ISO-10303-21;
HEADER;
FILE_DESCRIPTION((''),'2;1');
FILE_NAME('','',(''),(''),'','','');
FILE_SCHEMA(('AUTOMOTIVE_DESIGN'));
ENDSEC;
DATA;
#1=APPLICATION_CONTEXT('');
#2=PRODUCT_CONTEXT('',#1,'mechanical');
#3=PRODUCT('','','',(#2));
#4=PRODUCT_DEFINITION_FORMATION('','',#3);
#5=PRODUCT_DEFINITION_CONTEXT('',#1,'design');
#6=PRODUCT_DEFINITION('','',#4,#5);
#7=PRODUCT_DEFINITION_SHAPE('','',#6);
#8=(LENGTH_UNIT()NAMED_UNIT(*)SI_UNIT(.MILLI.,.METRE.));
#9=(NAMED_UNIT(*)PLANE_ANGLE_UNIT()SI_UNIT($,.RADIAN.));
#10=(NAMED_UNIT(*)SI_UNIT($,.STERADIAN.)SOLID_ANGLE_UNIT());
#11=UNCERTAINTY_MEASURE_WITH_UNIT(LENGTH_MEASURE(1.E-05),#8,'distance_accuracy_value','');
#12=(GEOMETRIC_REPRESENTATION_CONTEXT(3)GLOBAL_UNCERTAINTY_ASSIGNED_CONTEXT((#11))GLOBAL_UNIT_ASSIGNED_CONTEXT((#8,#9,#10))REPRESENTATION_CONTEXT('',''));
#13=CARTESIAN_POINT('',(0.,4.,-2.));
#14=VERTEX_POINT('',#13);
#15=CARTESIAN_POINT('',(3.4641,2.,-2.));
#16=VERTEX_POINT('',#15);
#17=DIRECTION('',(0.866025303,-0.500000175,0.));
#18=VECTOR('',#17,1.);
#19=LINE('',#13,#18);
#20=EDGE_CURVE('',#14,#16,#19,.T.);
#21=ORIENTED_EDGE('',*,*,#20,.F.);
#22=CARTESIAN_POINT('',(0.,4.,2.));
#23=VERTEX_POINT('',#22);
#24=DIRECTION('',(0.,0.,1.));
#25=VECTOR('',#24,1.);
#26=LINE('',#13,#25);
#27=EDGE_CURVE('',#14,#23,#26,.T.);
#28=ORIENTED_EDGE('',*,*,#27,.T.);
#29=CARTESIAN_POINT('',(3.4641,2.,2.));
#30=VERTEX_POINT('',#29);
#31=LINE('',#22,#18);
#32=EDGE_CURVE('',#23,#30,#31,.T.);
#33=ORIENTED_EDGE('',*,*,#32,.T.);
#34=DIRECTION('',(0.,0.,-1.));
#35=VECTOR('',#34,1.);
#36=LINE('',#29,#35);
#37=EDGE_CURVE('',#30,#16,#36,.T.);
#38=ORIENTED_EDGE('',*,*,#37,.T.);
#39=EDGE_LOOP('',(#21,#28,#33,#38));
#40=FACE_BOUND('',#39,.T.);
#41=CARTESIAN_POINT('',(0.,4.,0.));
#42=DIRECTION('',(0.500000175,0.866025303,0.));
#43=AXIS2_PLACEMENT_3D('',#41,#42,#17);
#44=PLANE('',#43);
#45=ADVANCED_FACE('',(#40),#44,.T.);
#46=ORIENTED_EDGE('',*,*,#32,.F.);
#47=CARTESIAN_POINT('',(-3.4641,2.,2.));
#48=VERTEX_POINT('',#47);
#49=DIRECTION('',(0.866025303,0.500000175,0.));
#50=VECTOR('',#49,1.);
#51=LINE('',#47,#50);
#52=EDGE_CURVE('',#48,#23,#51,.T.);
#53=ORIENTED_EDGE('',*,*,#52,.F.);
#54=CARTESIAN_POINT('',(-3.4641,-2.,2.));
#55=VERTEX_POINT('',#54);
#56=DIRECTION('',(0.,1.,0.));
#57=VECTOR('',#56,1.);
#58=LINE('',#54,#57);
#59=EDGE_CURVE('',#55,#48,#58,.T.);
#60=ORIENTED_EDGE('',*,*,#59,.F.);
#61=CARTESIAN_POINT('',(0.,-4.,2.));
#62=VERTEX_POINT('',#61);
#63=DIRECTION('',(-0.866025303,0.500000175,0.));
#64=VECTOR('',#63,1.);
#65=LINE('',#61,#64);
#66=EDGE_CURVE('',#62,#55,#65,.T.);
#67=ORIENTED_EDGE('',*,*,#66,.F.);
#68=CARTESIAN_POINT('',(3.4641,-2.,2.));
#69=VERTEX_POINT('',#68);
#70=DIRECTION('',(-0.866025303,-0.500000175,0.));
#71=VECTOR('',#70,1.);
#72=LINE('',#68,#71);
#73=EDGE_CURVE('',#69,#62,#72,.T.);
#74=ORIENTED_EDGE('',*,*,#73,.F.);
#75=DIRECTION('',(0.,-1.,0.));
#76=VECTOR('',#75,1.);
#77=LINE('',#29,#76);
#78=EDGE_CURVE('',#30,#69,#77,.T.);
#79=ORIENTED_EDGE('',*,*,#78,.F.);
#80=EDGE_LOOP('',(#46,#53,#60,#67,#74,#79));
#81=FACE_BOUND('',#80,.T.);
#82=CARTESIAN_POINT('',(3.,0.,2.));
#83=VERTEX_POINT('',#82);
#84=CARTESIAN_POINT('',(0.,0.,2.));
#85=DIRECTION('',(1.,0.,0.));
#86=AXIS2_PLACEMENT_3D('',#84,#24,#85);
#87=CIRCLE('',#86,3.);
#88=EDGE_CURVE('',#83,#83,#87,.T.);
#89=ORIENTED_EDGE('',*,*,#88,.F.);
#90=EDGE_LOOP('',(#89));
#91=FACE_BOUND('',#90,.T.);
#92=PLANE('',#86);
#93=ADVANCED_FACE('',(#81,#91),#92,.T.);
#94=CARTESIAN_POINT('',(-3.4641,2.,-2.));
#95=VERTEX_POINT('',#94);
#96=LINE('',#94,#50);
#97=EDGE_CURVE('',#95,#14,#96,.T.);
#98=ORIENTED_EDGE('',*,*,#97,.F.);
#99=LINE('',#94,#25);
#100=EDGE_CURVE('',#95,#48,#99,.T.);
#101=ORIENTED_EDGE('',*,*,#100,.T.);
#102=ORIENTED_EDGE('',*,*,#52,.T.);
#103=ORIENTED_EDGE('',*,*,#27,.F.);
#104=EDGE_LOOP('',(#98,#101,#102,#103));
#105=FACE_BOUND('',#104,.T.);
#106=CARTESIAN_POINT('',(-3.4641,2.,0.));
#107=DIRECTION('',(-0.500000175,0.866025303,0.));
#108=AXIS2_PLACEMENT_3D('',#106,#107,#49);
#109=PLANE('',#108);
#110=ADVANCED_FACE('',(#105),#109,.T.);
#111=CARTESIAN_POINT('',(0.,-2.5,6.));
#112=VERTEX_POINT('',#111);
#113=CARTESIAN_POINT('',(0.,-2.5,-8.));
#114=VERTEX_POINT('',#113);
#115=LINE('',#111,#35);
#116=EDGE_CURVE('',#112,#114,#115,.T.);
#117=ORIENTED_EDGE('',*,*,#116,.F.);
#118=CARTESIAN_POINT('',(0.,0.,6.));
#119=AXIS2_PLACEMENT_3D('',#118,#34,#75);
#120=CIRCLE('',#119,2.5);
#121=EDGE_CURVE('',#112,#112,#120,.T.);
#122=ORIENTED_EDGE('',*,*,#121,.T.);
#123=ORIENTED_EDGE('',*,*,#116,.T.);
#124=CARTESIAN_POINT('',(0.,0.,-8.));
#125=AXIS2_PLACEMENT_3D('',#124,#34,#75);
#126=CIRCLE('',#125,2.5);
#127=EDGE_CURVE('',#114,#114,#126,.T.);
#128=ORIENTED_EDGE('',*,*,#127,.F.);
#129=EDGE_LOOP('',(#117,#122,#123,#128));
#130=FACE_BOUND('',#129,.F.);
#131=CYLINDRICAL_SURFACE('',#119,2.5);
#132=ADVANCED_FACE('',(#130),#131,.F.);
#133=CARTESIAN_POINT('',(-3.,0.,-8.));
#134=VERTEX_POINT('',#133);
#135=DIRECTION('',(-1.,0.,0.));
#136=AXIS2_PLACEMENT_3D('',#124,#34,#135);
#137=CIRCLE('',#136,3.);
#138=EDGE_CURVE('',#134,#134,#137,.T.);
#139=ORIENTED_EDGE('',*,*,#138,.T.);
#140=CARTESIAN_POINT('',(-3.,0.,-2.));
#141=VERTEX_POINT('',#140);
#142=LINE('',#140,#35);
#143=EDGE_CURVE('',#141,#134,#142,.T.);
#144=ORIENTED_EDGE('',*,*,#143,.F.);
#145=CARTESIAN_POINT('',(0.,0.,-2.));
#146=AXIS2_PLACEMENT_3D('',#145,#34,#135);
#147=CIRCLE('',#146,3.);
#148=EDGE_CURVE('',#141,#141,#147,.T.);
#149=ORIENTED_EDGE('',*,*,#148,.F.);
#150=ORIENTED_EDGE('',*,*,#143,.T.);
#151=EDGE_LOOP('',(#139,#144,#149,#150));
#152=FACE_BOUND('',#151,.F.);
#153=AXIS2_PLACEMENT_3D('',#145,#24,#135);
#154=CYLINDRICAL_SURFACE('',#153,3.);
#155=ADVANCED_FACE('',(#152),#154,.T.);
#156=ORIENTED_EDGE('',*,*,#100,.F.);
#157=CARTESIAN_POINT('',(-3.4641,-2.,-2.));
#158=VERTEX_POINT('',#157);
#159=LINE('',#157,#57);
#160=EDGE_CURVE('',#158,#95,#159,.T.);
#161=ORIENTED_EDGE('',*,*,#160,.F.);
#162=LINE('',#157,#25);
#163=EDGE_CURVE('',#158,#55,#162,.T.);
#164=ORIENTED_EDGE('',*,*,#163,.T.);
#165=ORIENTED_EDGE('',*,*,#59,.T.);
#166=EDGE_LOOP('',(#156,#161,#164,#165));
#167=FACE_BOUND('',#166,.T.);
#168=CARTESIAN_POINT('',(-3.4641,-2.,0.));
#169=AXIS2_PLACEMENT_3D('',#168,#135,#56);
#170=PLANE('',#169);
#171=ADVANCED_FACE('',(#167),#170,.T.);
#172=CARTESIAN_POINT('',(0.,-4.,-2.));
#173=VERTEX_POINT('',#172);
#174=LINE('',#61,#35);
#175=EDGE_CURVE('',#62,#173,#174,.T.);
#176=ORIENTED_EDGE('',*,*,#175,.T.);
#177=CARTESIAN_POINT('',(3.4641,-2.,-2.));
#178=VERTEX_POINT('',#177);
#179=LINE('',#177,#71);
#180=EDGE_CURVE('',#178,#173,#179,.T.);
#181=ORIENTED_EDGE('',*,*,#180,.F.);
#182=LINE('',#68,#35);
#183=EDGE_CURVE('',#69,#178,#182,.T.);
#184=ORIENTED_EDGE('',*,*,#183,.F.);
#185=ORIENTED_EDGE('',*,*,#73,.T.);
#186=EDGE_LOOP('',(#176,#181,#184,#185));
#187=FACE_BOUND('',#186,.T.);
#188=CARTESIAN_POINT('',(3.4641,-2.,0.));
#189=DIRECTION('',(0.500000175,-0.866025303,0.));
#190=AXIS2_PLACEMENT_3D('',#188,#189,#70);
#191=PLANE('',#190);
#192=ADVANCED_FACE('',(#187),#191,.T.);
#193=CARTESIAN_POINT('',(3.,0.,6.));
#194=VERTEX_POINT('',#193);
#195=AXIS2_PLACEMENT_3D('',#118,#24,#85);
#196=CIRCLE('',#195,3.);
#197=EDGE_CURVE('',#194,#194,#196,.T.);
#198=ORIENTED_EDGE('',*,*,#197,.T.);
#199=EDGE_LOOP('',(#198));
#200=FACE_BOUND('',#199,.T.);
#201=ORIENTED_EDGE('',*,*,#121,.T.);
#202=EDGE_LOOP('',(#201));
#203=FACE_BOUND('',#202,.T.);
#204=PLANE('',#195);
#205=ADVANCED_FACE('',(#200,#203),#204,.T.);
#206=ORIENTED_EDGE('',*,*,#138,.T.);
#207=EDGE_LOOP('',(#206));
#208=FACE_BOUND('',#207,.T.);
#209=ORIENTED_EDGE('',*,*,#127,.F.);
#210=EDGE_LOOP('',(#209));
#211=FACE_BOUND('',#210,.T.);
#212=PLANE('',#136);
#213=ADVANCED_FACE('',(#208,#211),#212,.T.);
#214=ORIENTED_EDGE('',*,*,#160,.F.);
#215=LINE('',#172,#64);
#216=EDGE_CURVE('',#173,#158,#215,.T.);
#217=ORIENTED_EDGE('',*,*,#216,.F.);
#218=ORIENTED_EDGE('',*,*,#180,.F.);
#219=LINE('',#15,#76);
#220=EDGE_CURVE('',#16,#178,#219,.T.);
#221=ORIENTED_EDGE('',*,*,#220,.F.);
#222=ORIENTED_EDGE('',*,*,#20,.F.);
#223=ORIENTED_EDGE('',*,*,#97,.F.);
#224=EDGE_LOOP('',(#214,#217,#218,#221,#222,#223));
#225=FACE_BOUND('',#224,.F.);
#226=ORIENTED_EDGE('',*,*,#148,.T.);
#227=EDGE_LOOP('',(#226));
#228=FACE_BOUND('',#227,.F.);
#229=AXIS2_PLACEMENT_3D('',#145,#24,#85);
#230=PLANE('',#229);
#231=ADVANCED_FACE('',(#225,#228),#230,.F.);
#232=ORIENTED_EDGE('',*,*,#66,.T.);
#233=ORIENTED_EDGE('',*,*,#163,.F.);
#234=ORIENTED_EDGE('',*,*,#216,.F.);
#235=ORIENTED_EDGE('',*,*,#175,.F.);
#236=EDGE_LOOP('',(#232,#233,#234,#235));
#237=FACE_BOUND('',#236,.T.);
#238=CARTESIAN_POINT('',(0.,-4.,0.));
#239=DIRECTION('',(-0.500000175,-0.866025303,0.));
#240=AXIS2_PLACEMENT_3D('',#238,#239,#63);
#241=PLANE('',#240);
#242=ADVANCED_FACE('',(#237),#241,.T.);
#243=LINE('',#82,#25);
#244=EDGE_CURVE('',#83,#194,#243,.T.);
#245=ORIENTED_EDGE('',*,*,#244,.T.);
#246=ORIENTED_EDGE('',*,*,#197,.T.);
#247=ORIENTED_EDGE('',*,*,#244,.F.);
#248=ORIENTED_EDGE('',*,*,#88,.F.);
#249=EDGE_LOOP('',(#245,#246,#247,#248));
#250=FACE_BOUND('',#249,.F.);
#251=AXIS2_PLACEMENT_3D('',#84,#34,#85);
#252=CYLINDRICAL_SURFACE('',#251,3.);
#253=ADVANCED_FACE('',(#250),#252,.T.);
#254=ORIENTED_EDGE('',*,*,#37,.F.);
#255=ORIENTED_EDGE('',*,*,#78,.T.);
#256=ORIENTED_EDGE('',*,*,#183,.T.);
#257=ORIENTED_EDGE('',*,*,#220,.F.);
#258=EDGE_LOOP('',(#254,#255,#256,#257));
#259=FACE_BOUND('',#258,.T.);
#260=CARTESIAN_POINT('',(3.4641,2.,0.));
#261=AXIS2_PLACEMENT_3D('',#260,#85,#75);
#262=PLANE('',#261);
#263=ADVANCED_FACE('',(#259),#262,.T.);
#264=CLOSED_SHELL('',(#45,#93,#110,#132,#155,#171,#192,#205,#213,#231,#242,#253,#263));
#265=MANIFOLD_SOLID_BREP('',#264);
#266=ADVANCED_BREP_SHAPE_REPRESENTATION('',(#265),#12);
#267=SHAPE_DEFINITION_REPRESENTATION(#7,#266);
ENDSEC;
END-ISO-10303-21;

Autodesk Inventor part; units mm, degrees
ref_plane "YZ Plane" through (0, 0, 0) normal (1, 0, 0) x (0, 1, 0)
ref_plane "XZ Plane" through (0, 0, 0) normal (0, 1, 0) x (-1, 0, 0)
ref_plane "XY Plane" through (0, 0, 0) normal (0, 0, 1) x (1, 0, 0)
sketch "Sketch2" plane through (0, 0, 0) normal (0, 0, 1) x (1, 0, 0)
  line L0 (0, 4) -> (3.4641, 2)
  line L1 (3.4641, 2) -> (3.4641, -2)
  line L2 (3.4641, -2) -> (0, -4)
  line L3 (0, -4) -> (-3.4641, -2)
  line L4 (-3.4641, -2) -> (-3.4641, 2)
  line L5 (-3.4641, 2) -> (0, 4)
  point P0 (0, 0)
  point P1 (0, 0)
  point P2 (-3.4641, 0)
  dimension "d0" = 8
extrude "Extrusion1" add sketch "Sketch2" along normal mid plane 4
sketch "Sketch3" plane through (0, 0, 2) normal (0, 0, 1) x (1, 0, 0)
  circle A0 centre (0, 0) radius 3
  dimension "d3" = 6
extrude "Extrusion2" add sketch "Sketch3" along normal blind 4
sketch "Sketch4" plane through (0, 0, -2) normal (0, 0, -1) x (-1, 0, 0)
  circle A0 centre (0, 0) radius 3
  dimension "d6" = 6
extrude "Extrusion3" add sketch "Sketch4" along normal blind 6
sketch "Sketch5" plane through (0, 0, 6) normal (0, 0, 1) x (1, 0, 0)
  circle A0 centre (0, 0) radius 3 projected
hole "Hole1" at (0, 0, 6) direction (0, 0, -1) diameter 5 depth 14
thread "Thread1" size "M6x1" class "6g" standard "ISO Metric profile" length 35.9
properties part number "25.1"
